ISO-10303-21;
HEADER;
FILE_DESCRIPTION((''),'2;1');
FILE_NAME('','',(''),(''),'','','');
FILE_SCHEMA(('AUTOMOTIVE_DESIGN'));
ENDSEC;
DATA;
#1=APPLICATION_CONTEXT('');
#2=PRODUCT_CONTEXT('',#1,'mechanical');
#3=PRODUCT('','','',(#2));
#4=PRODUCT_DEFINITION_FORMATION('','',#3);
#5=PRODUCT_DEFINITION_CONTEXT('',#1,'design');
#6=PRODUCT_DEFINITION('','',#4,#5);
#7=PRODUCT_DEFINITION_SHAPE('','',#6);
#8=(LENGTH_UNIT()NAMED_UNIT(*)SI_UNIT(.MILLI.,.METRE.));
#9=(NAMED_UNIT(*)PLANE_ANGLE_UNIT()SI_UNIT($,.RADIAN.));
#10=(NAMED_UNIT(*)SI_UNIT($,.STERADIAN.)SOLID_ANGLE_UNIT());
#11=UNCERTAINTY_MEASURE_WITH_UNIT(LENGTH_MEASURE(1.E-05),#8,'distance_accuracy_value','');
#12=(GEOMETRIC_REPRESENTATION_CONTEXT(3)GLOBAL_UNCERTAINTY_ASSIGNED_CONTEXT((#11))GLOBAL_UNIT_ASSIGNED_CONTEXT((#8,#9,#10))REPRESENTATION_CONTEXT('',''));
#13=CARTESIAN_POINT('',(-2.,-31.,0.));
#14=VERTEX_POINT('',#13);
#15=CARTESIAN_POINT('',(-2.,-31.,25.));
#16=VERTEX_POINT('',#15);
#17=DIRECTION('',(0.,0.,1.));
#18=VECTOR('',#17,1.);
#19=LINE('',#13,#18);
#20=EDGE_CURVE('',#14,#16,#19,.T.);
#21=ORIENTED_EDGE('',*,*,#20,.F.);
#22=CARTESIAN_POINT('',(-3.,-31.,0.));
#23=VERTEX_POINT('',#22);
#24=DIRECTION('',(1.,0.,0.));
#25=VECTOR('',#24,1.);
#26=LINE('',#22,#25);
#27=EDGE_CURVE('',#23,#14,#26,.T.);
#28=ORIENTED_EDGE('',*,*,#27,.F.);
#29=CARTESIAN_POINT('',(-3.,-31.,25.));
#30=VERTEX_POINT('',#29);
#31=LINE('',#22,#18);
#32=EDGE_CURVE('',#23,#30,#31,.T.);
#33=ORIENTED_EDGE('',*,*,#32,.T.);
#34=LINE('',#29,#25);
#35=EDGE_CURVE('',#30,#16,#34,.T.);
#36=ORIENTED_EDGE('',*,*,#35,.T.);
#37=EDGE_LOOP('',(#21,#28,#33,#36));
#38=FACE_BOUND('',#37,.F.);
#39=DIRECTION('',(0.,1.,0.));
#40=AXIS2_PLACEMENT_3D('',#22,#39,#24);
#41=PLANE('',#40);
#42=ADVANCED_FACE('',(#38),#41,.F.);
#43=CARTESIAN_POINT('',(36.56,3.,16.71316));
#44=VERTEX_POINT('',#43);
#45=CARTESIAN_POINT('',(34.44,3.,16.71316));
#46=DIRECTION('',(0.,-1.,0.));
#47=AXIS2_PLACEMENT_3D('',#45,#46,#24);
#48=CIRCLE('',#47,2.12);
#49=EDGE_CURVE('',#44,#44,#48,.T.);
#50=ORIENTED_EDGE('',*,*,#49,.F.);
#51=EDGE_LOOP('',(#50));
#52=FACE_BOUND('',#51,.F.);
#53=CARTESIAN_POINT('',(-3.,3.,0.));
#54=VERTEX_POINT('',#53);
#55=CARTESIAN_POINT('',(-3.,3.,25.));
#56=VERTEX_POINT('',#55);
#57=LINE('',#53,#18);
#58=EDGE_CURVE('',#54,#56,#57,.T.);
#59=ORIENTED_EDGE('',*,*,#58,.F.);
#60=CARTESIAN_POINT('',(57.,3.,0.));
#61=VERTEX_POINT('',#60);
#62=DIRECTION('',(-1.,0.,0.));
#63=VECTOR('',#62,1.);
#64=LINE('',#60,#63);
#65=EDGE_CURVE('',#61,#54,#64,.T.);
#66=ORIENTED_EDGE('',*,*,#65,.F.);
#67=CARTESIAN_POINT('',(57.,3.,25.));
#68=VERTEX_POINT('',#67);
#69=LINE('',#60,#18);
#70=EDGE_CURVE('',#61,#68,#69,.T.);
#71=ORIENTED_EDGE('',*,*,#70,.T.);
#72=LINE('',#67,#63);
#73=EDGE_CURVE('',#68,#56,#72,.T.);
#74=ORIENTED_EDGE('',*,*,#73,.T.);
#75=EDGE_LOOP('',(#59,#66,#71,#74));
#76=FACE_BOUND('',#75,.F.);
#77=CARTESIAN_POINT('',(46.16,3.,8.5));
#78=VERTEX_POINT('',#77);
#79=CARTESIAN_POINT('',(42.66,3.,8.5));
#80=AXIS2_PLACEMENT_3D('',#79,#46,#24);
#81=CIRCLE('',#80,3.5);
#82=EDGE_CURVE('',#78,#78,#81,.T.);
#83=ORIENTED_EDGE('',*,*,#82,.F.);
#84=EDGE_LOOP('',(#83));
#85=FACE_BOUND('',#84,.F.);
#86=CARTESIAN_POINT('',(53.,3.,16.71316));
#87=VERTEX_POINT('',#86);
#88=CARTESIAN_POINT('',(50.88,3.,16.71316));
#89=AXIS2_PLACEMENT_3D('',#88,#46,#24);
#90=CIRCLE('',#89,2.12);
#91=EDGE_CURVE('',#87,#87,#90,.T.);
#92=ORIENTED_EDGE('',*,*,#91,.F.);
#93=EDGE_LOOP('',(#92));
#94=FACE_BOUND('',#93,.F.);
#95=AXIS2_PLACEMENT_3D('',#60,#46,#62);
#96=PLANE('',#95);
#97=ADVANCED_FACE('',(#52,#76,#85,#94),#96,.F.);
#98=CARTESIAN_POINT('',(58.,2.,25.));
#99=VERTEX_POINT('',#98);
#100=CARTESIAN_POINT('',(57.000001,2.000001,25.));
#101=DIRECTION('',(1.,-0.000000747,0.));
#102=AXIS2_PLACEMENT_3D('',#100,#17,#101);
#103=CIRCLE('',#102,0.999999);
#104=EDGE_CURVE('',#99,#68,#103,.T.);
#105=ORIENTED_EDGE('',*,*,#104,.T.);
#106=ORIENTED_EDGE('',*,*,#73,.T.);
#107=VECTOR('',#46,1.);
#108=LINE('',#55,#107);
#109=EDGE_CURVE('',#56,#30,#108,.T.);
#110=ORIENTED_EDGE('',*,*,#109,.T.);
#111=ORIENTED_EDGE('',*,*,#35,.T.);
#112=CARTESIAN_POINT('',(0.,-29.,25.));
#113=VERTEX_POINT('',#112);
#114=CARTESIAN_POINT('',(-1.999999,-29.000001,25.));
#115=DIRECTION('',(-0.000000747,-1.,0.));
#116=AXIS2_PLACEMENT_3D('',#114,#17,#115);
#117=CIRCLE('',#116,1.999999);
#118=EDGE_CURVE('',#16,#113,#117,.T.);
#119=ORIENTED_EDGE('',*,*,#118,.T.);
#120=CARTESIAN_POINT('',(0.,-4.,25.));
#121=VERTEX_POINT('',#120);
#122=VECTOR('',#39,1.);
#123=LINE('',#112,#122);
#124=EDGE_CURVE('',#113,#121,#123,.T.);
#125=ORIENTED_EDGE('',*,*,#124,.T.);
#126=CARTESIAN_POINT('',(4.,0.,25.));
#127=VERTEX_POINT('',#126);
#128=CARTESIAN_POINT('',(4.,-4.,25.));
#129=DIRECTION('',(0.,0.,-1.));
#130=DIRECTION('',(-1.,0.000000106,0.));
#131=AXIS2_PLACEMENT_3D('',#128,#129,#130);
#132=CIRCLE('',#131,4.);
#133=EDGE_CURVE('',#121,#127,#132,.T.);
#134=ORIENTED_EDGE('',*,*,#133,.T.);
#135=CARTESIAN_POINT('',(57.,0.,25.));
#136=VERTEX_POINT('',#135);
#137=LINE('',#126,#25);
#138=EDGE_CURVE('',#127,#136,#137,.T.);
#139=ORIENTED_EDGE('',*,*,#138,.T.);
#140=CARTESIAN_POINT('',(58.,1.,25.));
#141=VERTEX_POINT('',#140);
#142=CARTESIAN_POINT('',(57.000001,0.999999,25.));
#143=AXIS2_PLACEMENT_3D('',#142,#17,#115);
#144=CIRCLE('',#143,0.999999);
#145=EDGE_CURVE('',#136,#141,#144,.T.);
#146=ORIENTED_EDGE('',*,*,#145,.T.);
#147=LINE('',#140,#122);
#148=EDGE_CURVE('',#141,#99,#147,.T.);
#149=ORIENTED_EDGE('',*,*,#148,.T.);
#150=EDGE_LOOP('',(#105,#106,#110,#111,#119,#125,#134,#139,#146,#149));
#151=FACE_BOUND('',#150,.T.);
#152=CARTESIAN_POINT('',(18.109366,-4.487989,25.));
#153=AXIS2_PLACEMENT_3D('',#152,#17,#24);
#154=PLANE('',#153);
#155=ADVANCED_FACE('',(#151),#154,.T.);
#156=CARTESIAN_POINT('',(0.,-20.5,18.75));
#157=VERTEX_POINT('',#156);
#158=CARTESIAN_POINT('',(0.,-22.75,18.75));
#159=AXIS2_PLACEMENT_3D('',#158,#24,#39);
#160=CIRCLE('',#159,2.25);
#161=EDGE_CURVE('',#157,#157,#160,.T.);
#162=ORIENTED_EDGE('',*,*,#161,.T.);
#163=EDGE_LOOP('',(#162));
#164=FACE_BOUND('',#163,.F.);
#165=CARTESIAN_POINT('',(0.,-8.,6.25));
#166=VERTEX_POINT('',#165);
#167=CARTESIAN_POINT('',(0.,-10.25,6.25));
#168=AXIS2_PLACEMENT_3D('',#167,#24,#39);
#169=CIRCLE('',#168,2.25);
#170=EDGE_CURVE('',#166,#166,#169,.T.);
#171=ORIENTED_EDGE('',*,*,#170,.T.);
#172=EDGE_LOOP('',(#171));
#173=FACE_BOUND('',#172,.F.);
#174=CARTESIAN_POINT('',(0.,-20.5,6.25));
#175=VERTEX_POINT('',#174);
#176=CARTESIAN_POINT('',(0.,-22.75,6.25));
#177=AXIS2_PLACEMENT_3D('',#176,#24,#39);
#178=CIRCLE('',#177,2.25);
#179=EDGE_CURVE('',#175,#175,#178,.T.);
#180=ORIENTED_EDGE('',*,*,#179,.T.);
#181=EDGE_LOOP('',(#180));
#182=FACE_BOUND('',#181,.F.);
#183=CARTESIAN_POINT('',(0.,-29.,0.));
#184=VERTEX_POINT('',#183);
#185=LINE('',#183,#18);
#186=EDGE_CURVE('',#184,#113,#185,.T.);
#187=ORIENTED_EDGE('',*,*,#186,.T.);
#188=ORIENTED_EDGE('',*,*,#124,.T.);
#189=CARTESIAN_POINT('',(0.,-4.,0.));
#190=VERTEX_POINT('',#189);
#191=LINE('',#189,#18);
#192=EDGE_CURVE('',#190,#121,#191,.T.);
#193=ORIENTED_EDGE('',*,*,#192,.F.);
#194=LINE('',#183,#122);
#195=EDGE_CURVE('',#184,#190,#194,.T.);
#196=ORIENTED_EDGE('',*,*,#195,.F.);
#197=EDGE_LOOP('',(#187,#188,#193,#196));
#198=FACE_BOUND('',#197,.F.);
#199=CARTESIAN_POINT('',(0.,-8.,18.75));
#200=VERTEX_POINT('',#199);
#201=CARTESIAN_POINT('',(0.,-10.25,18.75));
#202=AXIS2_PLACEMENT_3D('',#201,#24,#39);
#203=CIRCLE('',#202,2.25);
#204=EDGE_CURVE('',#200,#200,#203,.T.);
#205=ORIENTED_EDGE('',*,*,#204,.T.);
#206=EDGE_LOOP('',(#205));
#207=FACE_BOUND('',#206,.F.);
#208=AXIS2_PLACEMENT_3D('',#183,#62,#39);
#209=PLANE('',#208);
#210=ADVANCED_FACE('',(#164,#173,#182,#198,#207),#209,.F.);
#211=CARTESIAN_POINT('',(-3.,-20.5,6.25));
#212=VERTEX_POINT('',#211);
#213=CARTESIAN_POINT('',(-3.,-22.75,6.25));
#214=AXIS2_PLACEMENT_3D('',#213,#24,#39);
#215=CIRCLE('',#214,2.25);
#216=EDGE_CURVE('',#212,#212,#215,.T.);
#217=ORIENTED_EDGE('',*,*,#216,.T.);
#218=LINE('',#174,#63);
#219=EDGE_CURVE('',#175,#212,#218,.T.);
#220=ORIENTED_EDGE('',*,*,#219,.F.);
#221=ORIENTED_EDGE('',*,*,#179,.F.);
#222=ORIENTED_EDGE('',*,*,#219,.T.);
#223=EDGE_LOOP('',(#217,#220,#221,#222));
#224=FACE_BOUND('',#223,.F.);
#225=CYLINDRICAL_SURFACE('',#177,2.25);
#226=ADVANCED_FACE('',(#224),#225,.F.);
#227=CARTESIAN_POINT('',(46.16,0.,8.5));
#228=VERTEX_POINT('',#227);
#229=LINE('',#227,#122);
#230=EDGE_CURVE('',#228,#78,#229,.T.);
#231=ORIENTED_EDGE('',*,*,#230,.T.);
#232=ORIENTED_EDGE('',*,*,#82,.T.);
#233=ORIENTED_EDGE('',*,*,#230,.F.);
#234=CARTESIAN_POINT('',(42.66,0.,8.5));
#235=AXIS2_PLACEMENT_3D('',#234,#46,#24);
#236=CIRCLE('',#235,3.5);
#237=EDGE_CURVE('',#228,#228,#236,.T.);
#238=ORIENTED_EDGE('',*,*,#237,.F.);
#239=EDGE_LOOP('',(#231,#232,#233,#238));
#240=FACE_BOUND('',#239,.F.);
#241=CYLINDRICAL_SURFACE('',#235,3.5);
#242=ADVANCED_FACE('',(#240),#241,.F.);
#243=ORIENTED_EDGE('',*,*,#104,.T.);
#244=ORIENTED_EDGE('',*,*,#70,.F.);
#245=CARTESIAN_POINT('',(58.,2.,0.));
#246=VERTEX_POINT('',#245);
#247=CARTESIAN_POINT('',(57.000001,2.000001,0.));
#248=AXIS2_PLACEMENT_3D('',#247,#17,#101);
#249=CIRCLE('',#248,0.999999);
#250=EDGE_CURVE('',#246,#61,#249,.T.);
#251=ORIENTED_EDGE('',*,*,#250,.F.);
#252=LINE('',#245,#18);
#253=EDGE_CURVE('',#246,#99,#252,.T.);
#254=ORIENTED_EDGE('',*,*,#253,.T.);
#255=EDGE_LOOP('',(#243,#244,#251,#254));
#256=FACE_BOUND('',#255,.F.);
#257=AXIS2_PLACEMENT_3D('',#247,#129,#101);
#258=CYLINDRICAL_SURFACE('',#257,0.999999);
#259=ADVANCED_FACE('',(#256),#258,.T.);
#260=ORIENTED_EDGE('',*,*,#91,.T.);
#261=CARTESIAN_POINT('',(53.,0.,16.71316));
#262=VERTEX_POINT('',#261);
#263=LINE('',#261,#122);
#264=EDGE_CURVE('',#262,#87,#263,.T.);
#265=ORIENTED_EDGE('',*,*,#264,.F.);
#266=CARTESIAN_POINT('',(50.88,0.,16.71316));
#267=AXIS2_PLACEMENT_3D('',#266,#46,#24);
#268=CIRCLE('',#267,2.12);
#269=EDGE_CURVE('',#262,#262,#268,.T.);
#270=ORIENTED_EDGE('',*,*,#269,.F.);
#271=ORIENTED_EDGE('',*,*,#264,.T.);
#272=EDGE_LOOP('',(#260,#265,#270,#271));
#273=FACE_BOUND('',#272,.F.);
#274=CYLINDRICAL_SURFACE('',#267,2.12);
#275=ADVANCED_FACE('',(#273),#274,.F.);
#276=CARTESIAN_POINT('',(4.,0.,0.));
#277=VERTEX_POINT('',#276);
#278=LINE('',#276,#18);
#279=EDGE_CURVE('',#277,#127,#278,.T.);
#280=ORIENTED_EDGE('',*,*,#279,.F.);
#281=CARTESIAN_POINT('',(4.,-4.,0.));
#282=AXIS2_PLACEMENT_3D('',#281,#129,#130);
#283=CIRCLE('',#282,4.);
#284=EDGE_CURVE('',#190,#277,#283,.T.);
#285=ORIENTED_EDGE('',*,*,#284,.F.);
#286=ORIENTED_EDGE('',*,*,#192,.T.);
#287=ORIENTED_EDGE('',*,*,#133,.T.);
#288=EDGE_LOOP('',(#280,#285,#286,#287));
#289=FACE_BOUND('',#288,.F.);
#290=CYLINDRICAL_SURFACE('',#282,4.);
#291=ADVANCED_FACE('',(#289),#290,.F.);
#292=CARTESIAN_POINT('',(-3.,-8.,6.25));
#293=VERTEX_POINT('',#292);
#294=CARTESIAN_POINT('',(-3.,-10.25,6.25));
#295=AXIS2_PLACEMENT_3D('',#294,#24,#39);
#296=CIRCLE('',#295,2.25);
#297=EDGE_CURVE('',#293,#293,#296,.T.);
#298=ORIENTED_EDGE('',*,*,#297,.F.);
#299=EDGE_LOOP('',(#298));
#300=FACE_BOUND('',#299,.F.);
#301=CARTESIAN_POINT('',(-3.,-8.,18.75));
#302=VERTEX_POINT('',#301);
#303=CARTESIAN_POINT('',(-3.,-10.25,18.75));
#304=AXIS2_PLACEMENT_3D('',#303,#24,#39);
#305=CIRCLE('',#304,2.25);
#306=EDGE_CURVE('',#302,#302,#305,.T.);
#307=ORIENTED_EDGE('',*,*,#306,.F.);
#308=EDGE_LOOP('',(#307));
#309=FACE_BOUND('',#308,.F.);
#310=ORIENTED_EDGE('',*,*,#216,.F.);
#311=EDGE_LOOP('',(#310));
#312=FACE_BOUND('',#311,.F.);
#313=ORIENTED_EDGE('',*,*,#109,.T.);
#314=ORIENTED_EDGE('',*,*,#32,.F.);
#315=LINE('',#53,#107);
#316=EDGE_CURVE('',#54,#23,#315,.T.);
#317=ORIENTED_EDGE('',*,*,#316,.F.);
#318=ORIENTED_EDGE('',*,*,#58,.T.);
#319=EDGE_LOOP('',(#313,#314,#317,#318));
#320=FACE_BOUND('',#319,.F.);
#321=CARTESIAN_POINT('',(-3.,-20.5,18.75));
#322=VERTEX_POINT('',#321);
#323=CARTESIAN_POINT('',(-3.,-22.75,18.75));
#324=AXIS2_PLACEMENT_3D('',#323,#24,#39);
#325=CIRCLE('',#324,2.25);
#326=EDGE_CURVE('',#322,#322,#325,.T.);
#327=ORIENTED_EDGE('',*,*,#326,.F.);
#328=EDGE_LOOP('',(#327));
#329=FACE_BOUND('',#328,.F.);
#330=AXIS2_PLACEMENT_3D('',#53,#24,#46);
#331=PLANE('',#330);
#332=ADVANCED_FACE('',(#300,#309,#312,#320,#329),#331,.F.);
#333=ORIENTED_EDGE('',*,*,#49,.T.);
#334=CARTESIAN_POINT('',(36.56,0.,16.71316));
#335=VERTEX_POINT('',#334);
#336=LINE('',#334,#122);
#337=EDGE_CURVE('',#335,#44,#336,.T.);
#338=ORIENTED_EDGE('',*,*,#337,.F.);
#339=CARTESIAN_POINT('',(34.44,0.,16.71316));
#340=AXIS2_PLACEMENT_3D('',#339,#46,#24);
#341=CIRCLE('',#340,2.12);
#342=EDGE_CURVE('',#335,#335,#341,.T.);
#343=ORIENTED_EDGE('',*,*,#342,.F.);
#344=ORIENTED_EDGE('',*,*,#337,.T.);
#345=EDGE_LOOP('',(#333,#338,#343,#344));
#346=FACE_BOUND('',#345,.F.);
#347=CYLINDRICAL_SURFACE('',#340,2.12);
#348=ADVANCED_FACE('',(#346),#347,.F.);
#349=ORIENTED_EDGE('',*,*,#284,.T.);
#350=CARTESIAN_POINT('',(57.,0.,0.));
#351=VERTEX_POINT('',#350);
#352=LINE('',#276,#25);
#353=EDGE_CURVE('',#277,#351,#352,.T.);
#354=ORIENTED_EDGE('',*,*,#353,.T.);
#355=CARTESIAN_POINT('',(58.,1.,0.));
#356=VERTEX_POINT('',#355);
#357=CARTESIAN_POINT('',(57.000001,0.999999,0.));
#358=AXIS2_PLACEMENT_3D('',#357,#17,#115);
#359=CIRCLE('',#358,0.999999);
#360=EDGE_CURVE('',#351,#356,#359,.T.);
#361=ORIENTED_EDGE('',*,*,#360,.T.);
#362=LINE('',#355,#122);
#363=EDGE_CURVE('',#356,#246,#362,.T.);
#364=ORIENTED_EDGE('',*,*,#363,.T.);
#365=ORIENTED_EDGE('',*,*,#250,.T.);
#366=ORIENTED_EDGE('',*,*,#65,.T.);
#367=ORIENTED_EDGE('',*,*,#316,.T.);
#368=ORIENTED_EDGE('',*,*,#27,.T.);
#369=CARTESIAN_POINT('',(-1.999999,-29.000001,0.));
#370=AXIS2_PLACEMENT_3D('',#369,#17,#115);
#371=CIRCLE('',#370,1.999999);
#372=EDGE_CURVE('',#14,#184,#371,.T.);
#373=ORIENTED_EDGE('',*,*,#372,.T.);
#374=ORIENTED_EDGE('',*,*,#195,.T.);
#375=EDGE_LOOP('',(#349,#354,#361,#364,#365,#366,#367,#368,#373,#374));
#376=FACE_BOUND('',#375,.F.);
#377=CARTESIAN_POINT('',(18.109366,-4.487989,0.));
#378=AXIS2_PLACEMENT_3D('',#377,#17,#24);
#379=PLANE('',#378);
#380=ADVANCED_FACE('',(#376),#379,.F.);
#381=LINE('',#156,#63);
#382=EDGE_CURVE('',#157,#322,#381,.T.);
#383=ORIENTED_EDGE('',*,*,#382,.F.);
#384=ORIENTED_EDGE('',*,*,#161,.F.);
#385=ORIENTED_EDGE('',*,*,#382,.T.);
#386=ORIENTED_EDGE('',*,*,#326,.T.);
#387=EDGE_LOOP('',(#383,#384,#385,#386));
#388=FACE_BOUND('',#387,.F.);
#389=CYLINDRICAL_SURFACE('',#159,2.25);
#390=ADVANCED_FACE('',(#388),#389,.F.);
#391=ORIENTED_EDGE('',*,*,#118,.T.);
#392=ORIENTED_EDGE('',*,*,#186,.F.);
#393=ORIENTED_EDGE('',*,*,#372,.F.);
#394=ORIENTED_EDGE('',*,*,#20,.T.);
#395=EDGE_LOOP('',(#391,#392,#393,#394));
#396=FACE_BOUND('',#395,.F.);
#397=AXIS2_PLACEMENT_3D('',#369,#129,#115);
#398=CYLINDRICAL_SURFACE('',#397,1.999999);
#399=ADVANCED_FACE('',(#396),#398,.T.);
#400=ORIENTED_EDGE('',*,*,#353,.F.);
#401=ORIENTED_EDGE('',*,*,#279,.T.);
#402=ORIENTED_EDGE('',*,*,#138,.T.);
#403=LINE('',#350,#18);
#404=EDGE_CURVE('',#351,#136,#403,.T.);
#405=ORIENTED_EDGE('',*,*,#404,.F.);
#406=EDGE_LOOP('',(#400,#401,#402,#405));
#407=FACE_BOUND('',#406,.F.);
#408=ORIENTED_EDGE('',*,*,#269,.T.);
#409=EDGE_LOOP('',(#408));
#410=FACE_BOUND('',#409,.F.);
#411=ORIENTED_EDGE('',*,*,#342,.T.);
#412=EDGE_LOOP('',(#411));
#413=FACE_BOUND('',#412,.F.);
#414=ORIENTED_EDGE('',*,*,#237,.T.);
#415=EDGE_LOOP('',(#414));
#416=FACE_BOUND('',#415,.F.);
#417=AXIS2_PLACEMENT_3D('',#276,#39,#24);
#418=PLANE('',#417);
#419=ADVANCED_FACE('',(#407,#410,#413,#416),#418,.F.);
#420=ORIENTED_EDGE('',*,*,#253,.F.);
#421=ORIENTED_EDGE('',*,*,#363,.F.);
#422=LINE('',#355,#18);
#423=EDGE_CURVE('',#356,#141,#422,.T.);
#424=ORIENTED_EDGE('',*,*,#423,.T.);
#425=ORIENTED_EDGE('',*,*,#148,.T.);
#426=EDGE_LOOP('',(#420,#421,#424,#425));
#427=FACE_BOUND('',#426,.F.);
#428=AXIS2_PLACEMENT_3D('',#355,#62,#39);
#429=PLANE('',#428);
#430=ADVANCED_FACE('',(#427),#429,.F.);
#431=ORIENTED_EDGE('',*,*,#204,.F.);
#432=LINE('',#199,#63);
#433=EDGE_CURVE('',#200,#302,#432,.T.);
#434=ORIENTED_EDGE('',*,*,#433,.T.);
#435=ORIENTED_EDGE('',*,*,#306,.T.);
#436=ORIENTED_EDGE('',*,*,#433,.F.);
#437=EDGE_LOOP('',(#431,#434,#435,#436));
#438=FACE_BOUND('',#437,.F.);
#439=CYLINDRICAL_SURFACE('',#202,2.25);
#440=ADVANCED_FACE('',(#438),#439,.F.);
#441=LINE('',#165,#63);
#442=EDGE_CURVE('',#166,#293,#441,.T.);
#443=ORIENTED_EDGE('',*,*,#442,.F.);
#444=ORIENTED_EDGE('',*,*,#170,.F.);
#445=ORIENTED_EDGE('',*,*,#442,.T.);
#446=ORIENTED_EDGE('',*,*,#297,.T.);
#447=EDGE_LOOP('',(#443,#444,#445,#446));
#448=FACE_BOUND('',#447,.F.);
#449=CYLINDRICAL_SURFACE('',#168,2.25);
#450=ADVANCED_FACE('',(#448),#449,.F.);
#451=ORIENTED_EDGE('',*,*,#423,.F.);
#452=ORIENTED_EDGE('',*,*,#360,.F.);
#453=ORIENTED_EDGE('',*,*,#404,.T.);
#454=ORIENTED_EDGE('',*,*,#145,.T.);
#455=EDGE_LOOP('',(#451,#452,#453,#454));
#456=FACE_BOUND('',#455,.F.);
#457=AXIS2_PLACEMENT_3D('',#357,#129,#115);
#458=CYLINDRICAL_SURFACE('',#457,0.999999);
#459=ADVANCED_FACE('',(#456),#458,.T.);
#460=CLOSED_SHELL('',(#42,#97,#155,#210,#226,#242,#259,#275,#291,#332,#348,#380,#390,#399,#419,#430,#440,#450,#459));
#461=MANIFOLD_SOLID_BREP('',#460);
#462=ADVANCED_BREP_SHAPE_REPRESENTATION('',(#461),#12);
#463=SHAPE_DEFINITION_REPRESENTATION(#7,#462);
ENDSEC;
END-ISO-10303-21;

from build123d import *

# Parameters (mm, degrees)
F1_DEPTH = 25
F2_R     = 2.25
F3_DEPTH = 25
F4_R     = 3.5
F4_R_2   = 2.12
F5_DEPTH = 25


with BuildPart() as f1:
    # F0 (on Top) → F1 (new body)
    with BuildSketch(Plane.XY):
        with BuildLine():
            ThreePointArc((-2, -31), (-0.585786, -30.414214), (0, -29))
            Line((0, -29), (0, -4))
            ThreePointArc((0, -4), (1.171573, -1.171573), (4, 0))
            Line((4, 0), (57, 0))
            ThreePointArc((57, 0), (57.707107, 0.292893), (58, 1))
            Line((58, 1), (58, 2))
            ThreePointArc((58, 2), (57.707107, 2.707107), (57, 3))
            Line((57, 3), (-3, 3))
            Line((-3, 3), (-3, -31))
            Line((-3, -31), (-2, -31))
        make_face()
    extrude(amount=F1_DEPTH)

    # F2 (on face) → F3 (cut)
    with BuildSketch(Plane.YZ):
        with Locations((-22.75, 18.75)):
            Circle(F2_R)
        with Locations((-10.25, 18.75)):
            Circle(F2_R)
        with Locations((-10.25, 6.25)):
            Circle(F2_R)
        with Locations((-22.75, 6.25)):
            Circle(F2_R)
    extrude(amount=-F3_DEPTH, mode=Mode.SUBTRACT)

    # F4 (on face) → F5 (cut)
    with BuildSketch(Plane.XZ):
        with Locations((42.66, 8.5)):
            Circle(F4_R)
        with Locations((50.88, 16.71316)):
            Circle(F4_R_2)
        with Locations((34.44, 16.71316)):
            Circle(F4_R_2)
    extrude(amount=-F5_DEPTH, mode=Mode.SUBTRACT)


solid = f1.part
